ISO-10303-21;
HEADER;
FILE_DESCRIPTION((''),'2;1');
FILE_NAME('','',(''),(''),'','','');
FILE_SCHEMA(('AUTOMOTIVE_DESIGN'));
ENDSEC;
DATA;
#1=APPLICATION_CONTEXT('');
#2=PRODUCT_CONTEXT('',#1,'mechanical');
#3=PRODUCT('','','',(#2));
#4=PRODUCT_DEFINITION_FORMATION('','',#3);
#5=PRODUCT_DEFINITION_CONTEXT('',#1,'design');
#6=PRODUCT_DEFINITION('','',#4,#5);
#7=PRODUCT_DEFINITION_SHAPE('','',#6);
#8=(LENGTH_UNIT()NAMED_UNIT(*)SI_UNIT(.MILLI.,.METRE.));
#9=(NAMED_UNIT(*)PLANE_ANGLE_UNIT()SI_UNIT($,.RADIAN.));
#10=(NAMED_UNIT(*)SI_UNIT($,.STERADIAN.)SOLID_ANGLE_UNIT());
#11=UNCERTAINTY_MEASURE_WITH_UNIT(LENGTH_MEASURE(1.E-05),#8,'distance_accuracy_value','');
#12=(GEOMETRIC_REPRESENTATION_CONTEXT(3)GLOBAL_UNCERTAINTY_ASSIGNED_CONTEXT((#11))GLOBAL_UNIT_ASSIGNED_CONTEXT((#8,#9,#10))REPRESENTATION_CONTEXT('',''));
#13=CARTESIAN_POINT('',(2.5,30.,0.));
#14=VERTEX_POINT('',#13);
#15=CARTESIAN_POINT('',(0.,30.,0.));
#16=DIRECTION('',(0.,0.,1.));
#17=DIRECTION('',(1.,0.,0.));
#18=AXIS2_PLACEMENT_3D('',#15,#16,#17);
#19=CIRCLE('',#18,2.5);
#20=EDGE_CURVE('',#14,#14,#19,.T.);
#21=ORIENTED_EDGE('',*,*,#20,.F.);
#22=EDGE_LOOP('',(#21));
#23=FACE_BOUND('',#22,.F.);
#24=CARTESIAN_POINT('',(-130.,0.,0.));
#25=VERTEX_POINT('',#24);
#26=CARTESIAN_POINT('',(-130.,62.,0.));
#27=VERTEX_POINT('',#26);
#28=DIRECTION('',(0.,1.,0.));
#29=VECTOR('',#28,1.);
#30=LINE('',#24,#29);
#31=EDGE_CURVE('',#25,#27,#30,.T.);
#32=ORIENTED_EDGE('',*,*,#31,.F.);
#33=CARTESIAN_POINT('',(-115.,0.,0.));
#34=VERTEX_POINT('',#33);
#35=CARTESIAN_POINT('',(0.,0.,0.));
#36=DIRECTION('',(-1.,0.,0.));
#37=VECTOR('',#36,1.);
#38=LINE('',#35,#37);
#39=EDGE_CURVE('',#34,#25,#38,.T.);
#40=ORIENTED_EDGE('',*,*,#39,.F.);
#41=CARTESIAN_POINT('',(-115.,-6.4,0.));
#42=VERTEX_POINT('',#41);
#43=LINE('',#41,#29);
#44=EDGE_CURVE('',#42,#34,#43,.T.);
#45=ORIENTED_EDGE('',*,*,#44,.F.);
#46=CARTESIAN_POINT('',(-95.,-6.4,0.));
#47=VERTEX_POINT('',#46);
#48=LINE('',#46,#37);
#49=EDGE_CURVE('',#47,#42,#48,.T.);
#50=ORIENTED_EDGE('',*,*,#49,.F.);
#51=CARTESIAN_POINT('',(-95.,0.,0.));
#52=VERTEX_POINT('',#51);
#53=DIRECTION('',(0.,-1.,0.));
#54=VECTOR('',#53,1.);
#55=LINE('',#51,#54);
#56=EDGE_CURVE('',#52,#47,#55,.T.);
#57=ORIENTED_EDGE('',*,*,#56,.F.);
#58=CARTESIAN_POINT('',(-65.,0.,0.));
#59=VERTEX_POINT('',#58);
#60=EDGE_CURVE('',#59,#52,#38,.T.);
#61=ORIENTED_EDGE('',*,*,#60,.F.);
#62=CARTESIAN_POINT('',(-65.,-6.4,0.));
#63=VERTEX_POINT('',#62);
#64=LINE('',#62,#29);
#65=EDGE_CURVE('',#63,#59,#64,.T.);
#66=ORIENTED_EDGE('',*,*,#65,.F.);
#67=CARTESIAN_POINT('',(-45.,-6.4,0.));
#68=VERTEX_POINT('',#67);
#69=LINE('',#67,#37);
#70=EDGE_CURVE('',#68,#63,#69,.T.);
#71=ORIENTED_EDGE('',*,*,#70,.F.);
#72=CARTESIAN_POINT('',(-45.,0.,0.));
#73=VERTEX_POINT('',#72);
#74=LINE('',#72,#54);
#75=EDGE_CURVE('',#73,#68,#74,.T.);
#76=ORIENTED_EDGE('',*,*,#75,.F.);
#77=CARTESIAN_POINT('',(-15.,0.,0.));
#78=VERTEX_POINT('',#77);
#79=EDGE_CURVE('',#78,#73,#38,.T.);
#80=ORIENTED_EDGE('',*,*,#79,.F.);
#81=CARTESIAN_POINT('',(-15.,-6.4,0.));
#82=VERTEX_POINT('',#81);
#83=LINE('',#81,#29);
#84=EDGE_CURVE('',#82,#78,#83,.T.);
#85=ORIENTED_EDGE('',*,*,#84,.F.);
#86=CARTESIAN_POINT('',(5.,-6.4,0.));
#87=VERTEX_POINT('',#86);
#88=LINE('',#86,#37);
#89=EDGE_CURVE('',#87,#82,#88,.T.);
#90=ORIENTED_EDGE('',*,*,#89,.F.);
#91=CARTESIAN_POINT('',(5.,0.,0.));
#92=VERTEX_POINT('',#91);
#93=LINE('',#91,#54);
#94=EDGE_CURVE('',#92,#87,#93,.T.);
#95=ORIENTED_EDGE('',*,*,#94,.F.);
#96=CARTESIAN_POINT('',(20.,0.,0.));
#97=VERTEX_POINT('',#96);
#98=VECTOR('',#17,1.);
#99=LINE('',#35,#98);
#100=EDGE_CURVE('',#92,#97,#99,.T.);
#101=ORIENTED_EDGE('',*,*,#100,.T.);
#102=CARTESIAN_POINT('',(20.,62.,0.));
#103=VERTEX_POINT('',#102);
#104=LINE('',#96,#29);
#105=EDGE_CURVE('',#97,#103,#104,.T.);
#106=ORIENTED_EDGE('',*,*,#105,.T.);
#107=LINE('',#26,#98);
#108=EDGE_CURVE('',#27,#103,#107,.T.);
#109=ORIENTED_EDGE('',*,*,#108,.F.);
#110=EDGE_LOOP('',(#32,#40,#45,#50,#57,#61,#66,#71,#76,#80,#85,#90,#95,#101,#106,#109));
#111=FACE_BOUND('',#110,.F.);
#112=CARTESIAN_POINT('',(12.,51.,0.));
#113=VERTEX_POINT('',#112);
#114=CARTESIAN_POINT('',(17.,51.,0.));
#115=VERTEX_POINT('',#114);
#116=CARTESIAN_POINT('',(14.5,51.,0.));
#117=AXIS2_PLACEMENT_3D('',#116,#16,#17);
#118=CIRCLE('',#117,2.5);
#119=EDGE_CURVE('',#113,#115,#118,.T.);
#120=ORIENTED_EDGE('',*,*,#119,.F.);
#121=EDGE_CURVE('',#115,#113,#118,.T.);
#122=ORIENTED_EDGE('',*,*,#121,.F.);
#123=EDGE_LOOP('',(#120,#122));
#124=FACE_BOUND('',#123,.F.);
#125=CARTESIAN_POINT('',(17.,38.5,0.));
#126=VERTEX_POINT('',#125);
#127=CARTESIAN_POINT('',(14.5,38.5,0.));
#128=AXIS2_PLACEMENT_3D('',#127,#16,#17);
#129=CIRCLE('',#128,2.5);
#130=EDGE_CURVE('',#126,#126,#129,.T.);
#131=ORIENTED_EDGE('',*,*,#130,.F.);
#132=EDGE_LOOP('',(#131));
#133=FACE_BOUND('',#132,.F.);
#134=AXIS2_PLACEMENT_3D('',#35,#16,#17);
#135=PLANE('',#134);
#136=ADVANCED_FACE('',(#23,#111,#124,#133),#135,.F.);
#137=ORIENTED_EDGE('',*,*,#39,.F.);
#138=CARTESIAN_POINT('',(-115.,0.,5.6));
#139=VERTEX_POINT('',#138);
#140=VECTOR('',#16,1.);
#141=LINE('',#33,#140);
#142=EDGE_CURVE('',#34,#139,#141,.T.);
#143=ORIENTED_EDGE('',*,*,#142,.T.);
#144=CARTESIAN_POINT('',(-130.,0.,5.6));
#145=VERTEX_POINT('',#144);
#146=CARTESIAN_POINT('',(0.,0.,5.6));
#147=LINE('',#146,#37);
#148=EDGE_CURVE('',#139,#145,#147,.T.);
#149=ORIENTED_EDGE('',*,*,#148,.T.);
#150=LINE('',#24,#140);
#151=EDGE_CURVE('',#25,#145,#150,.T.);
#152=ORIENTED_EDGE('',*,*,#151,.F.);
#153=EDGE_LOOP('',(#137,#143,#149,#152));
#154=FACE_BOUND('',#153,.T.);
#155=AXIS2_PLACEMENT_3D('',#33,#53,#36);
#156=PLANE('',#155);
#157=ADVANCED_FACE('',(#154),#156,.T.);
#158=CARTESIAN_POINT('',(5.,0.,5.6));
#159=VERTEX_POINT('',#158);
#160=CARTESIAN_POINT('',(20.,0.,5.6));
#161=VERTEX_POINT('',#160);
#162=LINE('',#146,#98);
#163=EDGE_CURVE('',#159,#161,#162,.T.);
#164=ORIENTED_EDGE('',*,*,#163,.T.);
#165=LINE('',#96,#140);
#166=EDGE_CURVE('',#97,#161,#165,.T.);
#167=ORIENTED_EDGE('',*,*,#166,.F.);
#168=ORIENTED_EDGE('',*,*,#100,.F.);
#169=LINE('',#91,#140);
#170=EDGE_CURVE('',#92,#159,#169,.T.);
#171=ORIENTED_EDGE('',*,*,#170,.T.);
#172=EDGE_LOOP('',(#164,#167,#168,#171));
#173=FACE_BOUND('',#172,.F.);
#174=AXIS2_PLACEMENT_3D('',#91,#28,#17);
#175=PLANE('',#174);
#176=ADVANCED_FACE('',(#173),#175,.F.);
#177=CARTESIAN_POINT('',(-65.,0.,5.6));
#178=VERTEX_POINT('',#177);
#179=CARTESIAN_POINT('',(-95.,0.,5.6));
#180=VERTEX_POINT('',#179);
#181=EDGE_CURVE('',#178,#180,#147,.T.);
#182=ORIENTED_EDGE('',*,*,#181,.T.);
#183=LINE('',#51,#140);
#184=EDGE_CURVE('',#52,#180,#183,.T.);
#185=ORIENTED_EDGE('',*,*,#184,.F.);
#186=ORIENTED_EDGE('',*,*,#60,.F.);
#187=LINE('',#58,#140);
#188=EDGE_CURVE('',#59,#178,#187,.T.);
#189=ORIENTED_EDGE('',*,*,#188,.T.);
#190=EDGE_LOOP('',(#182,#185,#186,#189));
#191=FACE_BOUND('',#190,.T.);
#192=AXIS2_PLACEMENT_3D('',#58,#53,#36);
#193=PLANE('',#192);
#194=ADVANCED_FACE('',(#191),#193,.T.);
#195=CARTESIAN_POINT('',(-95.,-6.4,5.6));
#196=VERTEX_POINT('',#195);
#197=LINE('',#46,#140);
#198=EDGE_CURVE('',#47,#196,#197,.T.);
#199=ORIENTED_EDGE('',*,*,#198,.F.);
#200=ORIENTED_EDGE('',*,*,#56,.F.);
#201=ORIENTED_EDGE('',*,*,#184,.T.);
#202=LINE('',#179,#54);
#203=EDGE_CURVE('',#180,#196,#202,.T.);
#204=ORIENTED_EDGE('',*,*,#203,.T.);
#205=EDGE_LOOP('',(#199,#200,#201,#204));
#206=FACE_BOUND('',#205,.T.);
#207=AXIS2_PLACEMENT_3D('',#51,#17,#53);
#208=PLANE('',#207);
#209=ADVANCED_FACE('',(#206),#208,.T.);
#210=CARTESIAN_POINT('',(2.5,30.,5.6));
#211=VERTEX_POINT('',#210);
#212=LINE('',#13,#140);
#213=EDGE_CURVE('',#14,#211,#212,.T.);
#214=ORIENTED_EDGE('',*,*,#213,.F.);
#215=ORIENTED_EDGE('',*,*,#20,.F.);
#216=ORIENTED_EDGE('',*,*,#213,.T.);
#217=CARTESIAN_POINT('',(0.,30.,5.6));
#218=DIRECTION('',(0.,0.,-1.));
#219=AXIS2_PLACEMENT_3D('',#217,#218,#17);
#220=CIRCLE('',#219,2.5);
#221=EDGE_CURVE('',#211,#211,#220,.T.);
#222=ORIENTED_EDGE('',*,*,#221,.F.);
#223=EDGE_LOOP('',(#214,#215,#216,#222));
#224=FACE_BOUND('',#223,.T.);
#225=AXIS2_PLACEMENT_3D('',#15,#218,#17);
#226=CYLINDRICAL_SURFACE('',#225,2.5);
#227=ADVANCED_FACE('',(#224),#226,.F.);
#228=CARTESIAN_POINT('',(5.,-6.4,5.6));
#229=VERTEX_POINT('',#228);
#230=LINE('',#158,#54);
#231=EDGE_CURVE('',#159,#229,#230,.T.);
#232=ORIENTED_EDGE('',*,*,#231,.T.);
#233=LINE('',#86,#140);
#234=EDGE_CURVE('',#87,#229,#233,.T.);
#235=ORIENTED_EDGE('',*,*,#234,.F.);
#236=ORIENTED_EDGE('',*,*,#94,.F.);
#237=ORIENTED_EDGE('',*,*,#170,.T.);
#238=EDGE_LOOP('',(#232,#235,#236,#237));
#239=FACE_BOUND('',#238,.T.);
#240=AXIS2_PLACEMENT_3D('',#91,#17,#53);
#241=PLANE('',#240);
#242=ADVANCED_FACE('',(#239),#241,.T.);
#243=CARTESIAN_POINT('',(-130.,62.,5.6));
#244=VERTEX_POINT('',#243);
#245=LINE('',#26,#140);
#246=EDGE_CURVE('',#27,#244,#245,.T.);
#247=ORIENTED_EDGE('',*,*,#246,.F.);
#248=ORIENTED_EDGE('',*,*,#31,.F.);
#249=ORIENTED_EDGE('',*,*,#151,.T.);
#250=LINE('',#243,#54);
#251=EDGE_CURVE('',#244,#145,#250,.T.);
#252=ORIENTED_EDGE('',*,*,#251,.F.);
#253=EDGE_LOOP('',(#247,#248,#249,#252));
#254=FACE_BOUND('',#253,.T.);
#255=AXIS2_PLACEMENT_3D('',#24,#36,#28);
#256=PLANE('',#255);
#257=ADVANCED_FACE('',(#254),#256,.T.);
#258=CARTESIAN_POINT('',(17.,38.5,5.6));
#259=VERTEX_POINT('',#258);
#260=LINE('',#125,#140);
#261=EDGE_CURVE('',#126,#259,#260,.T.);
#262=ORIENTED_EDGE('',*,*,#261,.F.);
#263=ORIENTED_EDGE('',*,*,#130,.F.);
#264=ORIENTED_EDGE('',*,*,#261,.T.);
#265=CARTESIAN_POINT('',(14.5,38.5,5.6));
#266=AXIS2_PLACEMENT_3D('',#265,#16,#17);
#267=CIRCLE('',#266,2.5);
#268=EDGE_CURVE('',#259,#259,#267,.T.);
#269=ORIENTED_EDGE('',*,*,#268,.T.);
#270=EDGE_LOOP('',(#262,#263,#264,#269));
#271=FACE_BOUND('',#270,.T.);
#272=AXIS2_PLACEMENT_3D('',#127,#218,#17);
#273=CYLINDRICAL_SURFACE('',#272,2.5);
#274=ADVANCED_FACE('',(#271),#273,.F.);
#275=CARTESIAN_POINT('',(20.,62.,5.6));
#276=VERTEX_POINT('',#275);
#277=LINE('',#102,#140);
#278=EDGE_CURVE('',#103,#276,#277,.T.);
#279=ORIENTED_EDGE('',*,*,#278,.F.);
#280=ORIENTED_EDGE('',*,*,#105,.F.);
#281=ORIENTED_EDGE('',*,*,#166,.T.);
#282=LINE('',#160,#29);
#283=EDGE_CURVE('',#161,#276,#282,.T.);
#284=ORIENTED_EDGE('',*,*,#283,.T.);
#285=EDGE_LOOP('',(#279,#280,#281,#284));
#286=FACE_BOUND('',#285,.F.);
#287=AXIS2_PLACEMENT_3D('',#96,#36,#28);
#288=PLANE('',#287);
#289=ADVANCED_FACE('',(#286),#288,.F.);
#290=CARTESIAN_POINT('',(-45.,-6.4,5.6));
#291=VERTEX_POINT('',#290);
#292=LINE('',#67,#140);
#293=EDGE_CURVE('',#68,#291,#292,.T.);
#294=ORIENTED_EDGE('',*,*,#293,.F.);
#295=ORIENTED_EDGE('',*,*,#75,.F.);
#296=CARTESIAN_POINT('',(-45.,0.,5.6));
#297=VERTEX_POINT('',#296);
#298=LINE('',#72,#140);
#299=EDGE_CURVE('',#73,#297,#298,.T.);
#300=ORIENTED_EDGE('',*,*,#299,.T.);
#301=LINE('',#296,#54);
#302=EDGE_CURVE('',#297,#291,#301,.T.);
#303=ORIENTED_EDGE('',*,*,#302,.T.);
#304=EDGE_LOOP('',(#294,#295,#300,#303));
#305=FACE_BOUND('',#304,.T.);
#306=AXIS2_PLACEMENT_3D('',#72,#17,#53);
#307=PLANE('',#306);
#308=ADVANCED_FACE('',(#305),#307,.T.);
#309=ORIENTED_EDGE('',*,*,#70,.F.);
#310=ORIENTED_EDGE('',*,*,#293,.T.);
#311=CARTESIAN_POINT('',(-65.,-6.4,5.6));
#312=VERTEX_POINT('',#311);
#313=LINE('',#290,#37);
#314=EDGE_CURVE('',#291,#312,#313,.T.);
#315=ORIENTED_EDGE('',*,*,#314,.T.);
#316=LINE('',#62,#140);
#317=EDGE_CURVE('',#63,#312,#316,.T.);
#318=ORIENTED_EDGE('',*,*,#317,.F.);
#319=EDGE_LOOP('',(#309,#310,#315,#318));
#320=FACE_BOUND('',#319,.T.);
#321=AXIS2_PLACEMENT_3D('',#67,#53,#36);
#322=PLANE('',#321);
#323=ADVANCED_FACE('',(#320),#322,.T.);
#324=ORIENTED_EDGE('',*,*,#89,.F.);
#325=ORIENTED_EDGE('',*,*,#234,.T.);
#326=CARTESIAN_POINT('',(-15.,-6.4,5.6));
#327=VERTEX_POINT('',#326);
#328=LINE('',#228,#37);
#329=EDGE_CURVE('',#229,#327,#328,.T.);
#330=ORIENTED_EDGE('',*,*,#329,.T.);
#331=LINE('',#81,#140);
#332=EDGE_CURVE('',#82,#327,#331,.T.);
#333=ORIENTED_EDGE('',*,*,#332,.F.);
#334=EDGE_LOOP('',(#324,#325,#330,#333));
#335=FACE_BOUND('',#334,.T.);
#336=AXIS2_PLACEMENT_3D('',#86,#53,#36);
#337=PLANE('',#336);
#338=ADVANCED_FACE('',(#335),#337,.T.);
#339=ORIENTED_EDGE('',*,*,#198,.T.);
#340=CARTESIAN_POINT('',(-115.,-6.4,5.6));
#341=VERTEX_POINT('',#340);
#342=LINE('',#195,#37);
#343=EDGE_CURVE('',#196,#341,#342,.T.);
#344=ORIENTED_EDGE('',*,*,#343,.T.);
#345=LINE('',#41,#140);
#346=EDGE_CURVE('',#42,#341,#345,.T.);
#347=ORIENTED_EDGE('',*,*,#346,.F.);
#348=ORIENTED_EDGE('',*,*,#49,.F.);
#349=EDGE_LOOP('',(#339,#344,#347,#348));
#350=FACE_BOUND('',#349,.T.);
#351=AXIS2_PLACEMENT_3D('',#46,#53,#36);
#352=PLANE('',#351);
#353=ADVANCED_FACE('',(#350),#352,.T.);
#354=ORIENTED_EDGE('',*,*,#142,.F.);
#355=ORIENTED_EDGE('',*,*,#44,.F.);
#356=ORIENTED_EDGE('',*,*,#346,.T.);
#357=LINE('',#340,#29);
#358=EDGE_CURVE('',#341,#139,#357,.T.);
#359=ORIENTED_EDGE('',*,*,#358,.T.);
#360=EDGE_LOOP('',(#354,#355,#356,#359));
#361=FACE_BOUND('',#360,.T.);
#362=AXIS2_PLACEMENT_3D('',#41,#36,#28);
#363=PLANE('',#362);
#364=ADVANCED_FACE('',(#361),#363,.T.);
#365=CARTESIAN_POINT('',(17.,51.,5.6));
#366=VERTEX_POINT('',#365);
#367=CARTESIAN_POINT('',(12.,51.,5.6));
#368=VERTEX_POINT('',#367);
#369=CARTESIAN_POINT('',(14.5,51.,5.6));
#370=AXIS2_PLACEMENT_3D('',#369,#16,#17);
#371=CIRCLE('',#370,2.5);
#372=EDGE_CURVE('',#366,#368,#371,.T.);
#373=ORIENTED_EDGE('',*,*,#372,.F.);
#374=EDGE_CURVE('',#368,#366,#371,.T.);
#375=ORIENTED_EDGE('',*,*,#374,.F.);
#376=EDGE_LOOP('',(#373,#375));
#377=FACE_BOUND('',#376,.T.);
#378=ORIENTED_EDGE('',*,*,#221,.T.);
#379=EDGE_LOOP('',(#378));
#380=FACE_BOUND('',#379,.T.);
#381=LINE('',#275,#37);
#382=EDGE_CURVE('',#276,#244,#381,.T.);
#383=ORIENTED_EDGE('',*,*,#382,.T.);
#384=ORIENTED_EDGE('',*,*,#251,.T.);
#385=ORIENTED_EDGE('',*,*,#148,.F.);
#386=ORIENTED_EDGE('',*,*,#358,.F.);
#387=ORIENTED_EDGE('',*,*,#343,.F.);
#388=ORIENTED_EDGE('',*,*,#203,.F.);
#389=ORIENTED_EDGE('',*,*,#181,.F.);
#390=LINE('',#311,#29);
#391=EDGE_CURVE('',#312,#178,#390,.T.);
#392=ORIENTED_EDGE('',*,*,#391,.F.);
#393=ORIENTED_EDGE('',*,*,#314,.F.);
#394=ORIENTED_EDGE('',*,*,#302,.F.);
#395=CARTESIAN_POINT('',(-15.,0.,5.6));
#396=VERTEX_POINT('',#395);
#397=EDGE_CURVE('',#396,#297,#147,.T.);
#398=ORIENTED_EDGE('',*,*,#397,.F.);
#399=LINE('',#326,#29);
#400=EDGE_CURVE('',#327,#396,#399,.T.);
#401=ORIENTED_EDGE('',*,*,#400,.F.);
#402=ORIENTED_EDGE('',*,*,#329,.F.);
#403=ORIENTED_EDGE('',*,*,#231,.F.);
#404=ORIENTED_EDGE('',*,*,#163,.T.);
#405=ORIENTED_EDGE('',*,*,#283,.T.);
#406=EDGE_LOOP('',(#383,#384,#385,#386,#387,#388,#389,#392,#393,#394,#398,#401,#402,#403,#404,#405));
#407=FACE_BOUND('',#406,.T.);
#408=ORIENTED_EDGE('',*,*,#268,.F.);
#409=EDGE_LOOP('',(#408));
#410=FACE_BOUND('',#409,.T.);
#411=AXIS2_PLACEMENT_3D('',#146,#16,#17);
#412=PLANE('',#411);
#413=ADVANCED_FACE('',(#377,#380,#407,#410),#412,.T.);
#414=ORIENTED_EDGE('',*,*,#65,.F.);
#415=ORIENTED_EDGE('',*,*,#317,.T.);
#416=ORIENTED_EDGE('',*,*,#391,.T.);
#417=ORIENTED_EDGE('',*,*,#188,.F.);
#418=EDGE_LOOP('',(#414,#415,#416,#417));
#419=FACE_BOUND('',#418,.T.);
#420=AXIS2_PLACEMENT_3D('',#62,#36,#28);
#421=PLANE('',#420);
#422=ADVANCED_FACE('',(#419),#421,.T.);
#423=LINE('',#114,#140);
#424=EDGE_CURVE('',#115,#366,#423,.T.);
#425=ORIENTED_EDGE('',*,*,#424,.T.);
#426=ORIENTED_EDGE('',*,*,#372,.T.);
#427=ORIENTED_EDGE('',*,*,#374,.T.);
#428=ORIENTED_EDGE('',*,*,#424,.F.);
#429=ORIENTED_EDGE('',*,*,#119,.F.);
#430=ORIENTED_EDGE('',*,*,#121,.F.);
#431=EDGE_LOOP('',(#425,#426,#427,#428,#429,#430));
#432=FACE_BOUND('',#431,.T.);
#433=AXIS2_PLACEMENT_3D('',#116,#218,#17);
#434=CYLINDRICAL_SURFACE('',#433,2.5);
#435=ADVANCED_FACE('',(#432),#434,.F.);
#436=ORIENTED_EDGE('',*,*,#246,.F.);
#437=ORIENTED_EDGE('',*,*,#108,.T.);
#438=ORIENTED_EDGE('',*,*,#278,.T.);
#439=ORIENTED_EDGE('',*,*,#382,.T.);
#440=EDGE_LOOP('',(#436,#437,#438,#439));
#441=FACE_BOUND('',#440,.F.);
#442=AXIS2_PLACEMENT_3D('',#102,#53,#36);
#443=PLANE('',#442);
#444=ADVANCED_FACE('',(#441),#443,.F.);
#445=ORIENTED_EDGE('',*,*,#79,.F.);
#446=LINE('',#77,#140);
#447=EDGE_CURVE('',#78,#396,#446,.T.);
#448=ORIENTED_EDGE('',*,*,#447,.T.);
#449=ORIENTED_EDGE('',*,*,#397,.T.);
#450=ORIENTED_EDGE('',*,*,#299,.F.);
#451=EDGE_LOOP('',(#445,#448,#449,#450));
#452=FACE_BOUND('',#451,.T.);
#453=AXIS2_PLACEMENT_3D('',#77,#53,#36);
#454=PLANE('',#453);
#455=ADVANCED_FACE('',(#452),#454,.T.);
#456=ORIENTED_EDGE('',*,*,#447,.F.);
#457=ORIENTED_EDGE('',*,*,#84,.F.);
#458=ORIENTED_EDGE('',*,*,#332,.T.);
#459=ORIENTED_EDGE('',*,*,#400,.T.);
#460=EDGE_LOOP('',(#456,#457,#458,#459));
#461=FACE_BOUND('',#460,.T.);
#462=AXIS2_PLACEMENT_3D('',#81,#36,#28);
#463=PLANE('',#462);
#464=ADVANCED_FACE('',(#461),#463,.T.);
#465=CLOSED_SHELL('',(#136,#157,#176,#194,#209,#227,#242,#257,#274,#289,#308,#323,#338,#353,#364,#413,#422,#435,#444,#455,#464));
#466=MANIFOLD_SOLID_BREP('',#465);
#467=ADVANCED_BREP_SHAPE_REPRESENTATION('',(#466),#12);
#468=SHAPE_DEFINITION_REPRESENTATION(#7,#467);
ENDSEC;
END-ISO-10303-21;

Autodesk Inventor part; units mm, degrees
ref_plane "YZ Plane" through (0, 0, 0) normal (1, 0, 0) x (0, 1, 0)
ref_plane "XZ Plane" through (0, 0, 0) normal (0, 1, 0) x (-1, 0, 0)
ref_plane "XY Plane" through (0, 0, 0) normal (0, 0, 1) x (1, 0, 0)
sketch "Sketch1" plane through (0, 0, 0) normal (0, 0, 1) x (1, 0, 0)
  line L0 (0, 0) -> (-130, 0)
  line L1 (-130, 0) -> (-130, 62)
  line L2 (-130, 62) -> (0, 62)
  line L3 (0, 62) -> (0, 32.5)
  line L4 (0, 0) -> (20, 0)
  line L5 (20, 0) -> (20, 62)
  line L6 (20, 62) -> (0, 62)
  line L7 (0, 62) -> (0, 0)
  circle A0 centre (0, 30) radius 2.5
  circle A1 centre (14.5, 38.5) radius 2.5
  circle A2 centre (14.5, 51) radius 2.5
  line L8 (14.5, 51) -> (-130, 51)
  line L9 (-115, 0) -> (-95, 0)
  line L10 (-95, 0) -> (-95, -6.4)
  line L11 (-95, -6.4) -> (-115, -6.4)
  line L12 (-115, -6.4) -> (-115, 0)
  line L13 (-65, 0) -> (-45, 0)
  line L14 (-45, 0) -> (-45, -6.4)
  line L15 (-45, -6.4) -> (-65, -6.4)
  line L16 (-65, -6.4) -> (-65, 0)
  line L17 (-15, 0) -> (5, 0)
  line L18 (5, 0) -> (5, -6.4)
  line L19 (5, -6.4) -> (-15, -6.4)
  line L20 (-15, -6.4) -> (-15, 0)
  line L21 (-55, 62) -> (-55, 0)
  line L22 (0, 32.5) -> (0, 27.5)
  line L23 (0, 27.5) -> (0, 0)
  dimension "d0" = 20
  dimension "d1" = 150
  dimension "d2" = 62
  dimension "d3" = 5
  dimension "d4" = 5
  dimension "d5" = 5
  dimension "d6" = 30
  dimension "d7" = 14.5
  dimension "d8" = 8.5
  dimension "d9" = 12.5
  dimension "d10" = 0
  dimension "d11" = 20
  dimension "d12" = 6.4
  dimension "d15" = 50
  dimension "d20" = 75
extrude "Extrusion1" add sketch "Sketch1" along normal blind 5.6 contours L4 L18 L19 L20 L0 | L7 A0 L3 L6 L5 L4 | L0 L21 L8 L3 A0 L7 | L14 L15 L16 L0 | L0 L1 L8 L21 | L8 L21 L2 L3 | L8 L1 L2 L21 | L10 L11 L12 L0
sketch "Sketch3" plane through (0, 0, 5.6) normal (0, 0, 1) x (1, 0, 0)
  circle A0 centre (14.5, 51) radius 2.5 projected
  circle A1 centre (14.5, 38.5) radius 2.5 projected
  circle A2 centre (0, 30) radius 2.5 projected
  line L0 (-115, 0) -> (-115, -6.4) projected
  line L1 (-115, -6.4) -> (-95, -6.4) projected
  line L2 (-95, -6.4) -> (-95, 0) projected
  line L3 (-95, 0) -> (-65, 0) projected
  line L4 (-65, 0) -> (-65, -6.4) projected
  line L5 (-65, -6.4) -> (-45, -6.4) projected
  line L6 (-45, -6.4) -> (-45, 0) projected
  line L7 (-45, 0) -> (-15, 0) projected
  line L8 (-15, 0) -> (-15, -6.4) projected
  line L9 (-15, -6.4) -> (5, -6.4) projected
  line L10 (5, -6.4) -> (5, 0) projected
  line L11 (5, 0) -> (20, 0) projected
  line L12 (20, 0) -> (20, 62) projected
  line L13 (20, 62) -> (-130, 62) projected
  line L14 (-130, 62) -> (-130, 0) projected
  line L15 (-130, 0) -> (-115, 0) projected
  line L16 (-110, 62) -> (-104.4, 62)
  line L17 (-104.4, 62) -> (-104.4, 32)
  line L18 (-104.4, 32) -> (-110, 32)
  line L19 (-110, 32) -> (-110, 62)
  point P0 (0, 0)
  dimension "d33" = 5.6
  dimension "d34" = 20
  dimension "d35" = 30
sketch "Sketch2" plane through (0, 0, 5.6) normal (0, 0, 1) x (1, 0, 0)
  circle A0 centre (14.5, 51) radius 2.5 projected
  line L0 (20, 62) -> (-130, 62) projected
  line L1 (-130, 62) -> (-130, 0) projected
  line L2 (-110, 62) -> (-104.4, 62)
  line L3 (-104.4, 62) -> (-104.4, 51)
  line L4 (-104.4, 51) -> (-110, 51)
  line L5 (-110, 51) -> (-110, 62)
  circle A1 centre (-107.2, 41) radius 1.65
  line L6 (-107.2, 62) -> (-107.2, 51)
  arc A2 (-109.5, 51) -> (-110, 51.5) centre (-110, 51) ccw
  arc A3 (-104.4, 51.5) -> (-104.9, 51) centre (-104.4, 51) ccw
  arc A4 (-104.9, 51) -> (-104.4, 51.5) centre (-104.4, 51) ccw
  arc A5 (-110, 51.5) -> (-109.5, 51) centre (-110, 51) ccw
  point P0 (0, 0)
  dimension "d23" = 5.6
  dimension "d24" = 20
  dimension "d25" = 0
  dimension "d26" = 3.3
  dimension "d27" = 0
  dimension "d28" = 10
  dimension "d31" = 1
  dimension "d32" = 1
equation "\"d1\" = subframe_x"
equation "\"d2\" = subframe_z"
equation "\"d12\" = wood_thickness"
equation "\"d15\" = 0.333333 * subframe_x"
equation "\"d20\" = 0.5 * subframe_x"
equation "\"t_subframe\" = thick_acrylic"
equation "\"d33\" = t_subframe"
equation "\"d23\" = t_subframe"
equation "\"wood_thickness\" = 6.4"
equation "\"m3_diameter\" = 3.15"
equation "\"m5_diameter\" = 5.25"
equation "\"stepper_screw_space\" = 35"
equation "\"stepper_shaft_diameter\" = 5"
equation "\"stepper_body_diameter\" = 28"
equation "\"laser_body_diameter\" = 12"
equation "\"thick_acrylic\" = 5.6"
equation "\"carrier_z\" = 258.6"
equation "\"carrier_z2\" = 283.6"
equation "\"thin_acrylic\" = 3"
equation "\"clear_acrylic\" = 2"
equation "\"linear_bearing_spacing\" = 216"
equation "\"linear_bearing_z\" = 304.8"
equation "\"threaded_rod_z\" = 203.2"
equation "\"motor_spacing\" = 296"
equation "\"tray_boarder\" = 15"
equation "\"bed_clamp_border\" = 15"
equation "\"brass_insert_drill\" = 4"
equation "\"brass_keep_out\" = 8"
equation "\"tape_keep_out\" = 2"
equation "\"tape_thickness\" = 2"
equation "\"crane_x\" = 245.2"
equation "\"crane_z\" = 25"
equation "\"z_min_from_center\" = 72.6"
equation "\"frame_tilt\" = 1deg"
equation "\"printer_z\" = 289"
equation "\"subframe_x\" = 150"
equation "\"subframe_z\" = 62"
properties part number "subframe"
